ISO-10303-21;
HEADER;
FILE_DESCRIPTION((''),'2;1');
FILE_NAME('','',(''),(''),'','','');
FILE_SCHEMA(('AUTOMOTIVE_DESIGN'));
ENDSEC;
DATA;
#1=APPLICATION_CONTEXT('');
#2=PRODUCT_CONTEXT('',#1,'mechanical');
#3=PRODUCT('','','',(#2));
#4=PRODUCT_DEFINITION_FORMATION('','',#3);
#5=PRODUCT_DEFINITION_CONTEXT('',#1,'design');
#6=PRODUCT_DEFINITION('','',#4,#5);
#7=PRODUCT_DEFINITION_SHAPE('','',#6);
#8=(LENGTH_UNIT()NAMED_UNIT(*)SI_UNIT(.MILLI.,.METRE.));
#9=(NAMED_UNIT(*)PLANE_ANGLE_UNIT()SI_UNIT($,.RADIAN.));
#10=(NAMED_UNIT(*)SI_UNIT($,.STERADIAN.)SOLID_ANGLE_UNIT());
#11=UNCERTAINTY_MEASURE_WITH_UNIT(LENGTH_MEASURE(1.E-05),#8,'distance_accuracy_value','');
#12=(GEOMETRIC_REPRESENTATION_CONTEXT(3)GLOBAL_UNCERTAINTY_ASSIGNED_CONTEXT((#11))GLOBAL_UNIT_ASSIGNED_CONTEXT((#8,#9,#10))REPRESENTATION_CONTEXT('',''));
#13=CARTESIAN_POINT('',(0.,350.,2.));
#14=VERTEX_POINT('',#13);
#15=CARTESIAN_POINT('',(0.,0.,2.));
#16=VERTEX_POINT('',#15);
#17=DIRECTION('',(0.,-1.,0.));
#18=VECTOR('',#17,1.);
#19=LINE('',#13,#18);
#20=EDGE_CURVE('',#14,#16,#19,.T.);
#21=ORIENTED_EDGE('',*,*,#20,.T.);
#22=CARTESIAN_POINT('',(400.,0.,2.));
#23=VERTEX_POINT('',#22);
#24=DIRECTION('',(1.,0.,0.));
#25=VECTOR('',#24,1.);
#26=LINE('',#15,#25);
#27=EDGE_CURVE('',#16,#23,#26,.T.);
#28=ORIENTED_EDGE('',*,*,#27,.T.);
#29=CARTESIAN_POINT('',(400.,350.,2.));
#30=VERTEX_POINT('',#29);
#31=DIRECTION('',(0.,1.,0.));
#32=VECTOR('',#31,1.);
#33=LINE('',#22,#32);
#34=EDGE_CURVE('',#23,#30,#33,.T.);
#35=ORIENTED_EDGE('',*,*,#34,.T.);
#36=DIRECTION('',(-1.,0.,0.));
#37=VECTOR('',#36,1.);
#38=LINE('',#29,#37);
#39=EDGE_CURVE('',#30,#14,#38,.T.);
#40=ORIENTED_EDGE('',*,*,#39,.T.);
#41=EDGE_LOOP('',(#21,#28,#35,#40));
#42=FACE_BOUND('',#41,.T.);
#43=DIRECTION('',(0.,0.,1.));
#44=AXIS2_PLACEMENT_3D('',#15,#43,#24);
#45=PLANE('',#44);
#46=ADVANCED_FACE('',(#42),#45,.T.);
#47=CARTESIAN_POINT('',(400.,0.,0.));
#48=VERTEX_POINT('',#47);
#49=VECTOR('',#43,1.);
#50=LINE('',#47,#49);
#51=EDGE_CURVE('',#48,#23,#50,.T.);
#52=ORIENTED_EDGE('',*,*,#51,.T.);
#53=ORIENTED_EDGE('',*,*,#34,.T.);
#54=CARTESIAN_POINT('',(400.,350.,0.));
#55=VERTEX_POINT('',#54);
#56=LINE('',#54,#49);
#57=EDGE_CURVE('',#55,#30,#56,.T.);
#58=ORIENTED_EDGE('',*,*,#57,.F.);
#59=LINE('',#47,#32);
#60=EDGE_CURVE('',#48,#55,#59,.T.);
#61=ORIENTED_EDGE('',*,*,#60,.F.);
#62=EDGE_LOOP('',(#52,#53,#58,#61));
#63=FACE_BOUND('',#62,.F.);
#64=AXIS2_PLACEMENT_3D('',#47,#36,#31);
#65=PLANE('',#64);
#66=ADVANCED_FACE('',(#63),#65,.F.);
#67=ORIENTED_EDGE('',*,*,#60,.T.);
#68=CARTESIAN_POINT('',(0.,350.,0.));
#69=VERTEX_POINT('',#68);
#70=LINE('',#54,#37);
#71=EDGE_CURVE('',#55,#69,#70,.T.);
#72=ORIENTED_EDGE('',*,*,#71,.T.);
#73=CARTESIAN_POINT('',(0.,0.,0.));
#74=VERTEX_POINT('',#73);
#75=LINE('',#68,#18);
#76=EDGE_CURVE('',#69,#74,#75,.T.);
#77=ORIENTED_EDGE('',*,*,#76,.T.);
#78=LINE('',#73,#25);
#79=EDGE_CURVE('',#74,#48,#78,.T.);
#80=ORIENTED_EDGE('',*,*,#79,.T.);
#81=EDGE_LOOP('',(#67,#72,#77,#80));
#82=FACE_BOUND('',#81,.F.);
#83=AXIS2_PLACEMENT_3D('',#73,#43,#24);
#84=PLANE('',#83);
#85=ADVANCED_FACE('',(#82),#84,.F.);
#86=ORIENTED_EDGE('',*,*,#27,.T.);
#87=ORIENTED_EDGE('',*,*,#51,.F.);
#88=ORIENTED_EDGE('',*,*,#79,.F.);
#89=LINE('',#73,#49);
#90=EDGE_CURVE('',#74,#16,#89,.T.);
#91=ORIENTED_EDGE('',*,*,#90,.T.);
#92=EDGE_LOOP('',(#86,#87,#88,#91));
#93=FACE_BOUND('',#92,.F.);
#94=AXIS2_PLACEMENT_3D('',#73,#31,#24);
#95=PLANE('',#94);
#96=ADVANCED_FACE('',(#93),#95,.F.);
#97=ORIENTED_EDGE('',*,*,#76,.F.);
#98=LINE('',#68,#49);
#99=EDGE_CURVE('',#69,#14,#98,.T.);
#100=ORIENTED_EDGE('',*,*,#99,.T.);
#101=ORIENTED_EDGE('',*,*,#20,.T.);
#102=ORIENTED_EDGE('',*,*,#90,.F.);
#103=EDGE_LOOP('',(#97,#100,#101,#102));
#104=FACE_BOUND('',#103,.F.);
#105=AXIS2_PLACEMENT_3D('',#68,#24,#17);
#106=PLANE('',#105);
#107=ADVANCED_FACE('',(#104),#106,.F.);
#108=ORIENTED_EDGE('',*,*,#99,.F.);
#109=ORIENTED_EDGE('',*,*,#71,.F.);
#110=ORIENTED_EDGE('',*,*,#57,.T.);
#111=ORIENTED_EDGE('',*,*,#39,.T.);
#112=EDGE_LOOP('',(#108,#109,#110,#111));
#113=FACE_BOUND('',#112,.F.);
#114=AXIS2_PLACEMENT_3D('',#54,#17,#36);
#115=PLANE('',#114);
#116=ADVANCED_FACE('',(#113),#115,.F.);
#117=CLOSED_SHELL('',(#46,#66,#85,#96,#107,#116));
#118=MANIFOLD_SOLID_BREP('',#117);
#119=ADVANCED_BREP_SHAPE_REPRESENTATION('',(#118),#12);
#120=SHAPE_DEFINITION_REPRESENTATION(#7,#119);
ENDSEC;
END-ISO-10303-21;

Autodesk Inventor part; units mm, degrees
ref_plane "YZ Plane" through (0, 0, 0) normal (1, 0, 0) x (0, 1, 0)
ref_plane "XZ Plane" through (0, 0, 0) normal (0, 1, 0) x (-1, 0, 0)
ref_plane "XY Plane" through (0, 0, 0) normal (0, 0, 1) x (1, 0, 0)
sketch "Sketch1" plane through (0, 0, 0) normal (0, 0, 1) x (1, 0, 0)
  line L0 (0, 0) -> (400, 0)
  line L1 (400, 0) -> (400, 350)
  line L2 (400, 350) -> (0, 350)
  line L3 (0, 350) -> (0, 0)
  dimension "d0" = 400
  dimension "d1" = 350
extrude "Extrusion1" add sketch "Sketch1" along normal blind 2
properties part number "Paper_Inventor" material "Water"
